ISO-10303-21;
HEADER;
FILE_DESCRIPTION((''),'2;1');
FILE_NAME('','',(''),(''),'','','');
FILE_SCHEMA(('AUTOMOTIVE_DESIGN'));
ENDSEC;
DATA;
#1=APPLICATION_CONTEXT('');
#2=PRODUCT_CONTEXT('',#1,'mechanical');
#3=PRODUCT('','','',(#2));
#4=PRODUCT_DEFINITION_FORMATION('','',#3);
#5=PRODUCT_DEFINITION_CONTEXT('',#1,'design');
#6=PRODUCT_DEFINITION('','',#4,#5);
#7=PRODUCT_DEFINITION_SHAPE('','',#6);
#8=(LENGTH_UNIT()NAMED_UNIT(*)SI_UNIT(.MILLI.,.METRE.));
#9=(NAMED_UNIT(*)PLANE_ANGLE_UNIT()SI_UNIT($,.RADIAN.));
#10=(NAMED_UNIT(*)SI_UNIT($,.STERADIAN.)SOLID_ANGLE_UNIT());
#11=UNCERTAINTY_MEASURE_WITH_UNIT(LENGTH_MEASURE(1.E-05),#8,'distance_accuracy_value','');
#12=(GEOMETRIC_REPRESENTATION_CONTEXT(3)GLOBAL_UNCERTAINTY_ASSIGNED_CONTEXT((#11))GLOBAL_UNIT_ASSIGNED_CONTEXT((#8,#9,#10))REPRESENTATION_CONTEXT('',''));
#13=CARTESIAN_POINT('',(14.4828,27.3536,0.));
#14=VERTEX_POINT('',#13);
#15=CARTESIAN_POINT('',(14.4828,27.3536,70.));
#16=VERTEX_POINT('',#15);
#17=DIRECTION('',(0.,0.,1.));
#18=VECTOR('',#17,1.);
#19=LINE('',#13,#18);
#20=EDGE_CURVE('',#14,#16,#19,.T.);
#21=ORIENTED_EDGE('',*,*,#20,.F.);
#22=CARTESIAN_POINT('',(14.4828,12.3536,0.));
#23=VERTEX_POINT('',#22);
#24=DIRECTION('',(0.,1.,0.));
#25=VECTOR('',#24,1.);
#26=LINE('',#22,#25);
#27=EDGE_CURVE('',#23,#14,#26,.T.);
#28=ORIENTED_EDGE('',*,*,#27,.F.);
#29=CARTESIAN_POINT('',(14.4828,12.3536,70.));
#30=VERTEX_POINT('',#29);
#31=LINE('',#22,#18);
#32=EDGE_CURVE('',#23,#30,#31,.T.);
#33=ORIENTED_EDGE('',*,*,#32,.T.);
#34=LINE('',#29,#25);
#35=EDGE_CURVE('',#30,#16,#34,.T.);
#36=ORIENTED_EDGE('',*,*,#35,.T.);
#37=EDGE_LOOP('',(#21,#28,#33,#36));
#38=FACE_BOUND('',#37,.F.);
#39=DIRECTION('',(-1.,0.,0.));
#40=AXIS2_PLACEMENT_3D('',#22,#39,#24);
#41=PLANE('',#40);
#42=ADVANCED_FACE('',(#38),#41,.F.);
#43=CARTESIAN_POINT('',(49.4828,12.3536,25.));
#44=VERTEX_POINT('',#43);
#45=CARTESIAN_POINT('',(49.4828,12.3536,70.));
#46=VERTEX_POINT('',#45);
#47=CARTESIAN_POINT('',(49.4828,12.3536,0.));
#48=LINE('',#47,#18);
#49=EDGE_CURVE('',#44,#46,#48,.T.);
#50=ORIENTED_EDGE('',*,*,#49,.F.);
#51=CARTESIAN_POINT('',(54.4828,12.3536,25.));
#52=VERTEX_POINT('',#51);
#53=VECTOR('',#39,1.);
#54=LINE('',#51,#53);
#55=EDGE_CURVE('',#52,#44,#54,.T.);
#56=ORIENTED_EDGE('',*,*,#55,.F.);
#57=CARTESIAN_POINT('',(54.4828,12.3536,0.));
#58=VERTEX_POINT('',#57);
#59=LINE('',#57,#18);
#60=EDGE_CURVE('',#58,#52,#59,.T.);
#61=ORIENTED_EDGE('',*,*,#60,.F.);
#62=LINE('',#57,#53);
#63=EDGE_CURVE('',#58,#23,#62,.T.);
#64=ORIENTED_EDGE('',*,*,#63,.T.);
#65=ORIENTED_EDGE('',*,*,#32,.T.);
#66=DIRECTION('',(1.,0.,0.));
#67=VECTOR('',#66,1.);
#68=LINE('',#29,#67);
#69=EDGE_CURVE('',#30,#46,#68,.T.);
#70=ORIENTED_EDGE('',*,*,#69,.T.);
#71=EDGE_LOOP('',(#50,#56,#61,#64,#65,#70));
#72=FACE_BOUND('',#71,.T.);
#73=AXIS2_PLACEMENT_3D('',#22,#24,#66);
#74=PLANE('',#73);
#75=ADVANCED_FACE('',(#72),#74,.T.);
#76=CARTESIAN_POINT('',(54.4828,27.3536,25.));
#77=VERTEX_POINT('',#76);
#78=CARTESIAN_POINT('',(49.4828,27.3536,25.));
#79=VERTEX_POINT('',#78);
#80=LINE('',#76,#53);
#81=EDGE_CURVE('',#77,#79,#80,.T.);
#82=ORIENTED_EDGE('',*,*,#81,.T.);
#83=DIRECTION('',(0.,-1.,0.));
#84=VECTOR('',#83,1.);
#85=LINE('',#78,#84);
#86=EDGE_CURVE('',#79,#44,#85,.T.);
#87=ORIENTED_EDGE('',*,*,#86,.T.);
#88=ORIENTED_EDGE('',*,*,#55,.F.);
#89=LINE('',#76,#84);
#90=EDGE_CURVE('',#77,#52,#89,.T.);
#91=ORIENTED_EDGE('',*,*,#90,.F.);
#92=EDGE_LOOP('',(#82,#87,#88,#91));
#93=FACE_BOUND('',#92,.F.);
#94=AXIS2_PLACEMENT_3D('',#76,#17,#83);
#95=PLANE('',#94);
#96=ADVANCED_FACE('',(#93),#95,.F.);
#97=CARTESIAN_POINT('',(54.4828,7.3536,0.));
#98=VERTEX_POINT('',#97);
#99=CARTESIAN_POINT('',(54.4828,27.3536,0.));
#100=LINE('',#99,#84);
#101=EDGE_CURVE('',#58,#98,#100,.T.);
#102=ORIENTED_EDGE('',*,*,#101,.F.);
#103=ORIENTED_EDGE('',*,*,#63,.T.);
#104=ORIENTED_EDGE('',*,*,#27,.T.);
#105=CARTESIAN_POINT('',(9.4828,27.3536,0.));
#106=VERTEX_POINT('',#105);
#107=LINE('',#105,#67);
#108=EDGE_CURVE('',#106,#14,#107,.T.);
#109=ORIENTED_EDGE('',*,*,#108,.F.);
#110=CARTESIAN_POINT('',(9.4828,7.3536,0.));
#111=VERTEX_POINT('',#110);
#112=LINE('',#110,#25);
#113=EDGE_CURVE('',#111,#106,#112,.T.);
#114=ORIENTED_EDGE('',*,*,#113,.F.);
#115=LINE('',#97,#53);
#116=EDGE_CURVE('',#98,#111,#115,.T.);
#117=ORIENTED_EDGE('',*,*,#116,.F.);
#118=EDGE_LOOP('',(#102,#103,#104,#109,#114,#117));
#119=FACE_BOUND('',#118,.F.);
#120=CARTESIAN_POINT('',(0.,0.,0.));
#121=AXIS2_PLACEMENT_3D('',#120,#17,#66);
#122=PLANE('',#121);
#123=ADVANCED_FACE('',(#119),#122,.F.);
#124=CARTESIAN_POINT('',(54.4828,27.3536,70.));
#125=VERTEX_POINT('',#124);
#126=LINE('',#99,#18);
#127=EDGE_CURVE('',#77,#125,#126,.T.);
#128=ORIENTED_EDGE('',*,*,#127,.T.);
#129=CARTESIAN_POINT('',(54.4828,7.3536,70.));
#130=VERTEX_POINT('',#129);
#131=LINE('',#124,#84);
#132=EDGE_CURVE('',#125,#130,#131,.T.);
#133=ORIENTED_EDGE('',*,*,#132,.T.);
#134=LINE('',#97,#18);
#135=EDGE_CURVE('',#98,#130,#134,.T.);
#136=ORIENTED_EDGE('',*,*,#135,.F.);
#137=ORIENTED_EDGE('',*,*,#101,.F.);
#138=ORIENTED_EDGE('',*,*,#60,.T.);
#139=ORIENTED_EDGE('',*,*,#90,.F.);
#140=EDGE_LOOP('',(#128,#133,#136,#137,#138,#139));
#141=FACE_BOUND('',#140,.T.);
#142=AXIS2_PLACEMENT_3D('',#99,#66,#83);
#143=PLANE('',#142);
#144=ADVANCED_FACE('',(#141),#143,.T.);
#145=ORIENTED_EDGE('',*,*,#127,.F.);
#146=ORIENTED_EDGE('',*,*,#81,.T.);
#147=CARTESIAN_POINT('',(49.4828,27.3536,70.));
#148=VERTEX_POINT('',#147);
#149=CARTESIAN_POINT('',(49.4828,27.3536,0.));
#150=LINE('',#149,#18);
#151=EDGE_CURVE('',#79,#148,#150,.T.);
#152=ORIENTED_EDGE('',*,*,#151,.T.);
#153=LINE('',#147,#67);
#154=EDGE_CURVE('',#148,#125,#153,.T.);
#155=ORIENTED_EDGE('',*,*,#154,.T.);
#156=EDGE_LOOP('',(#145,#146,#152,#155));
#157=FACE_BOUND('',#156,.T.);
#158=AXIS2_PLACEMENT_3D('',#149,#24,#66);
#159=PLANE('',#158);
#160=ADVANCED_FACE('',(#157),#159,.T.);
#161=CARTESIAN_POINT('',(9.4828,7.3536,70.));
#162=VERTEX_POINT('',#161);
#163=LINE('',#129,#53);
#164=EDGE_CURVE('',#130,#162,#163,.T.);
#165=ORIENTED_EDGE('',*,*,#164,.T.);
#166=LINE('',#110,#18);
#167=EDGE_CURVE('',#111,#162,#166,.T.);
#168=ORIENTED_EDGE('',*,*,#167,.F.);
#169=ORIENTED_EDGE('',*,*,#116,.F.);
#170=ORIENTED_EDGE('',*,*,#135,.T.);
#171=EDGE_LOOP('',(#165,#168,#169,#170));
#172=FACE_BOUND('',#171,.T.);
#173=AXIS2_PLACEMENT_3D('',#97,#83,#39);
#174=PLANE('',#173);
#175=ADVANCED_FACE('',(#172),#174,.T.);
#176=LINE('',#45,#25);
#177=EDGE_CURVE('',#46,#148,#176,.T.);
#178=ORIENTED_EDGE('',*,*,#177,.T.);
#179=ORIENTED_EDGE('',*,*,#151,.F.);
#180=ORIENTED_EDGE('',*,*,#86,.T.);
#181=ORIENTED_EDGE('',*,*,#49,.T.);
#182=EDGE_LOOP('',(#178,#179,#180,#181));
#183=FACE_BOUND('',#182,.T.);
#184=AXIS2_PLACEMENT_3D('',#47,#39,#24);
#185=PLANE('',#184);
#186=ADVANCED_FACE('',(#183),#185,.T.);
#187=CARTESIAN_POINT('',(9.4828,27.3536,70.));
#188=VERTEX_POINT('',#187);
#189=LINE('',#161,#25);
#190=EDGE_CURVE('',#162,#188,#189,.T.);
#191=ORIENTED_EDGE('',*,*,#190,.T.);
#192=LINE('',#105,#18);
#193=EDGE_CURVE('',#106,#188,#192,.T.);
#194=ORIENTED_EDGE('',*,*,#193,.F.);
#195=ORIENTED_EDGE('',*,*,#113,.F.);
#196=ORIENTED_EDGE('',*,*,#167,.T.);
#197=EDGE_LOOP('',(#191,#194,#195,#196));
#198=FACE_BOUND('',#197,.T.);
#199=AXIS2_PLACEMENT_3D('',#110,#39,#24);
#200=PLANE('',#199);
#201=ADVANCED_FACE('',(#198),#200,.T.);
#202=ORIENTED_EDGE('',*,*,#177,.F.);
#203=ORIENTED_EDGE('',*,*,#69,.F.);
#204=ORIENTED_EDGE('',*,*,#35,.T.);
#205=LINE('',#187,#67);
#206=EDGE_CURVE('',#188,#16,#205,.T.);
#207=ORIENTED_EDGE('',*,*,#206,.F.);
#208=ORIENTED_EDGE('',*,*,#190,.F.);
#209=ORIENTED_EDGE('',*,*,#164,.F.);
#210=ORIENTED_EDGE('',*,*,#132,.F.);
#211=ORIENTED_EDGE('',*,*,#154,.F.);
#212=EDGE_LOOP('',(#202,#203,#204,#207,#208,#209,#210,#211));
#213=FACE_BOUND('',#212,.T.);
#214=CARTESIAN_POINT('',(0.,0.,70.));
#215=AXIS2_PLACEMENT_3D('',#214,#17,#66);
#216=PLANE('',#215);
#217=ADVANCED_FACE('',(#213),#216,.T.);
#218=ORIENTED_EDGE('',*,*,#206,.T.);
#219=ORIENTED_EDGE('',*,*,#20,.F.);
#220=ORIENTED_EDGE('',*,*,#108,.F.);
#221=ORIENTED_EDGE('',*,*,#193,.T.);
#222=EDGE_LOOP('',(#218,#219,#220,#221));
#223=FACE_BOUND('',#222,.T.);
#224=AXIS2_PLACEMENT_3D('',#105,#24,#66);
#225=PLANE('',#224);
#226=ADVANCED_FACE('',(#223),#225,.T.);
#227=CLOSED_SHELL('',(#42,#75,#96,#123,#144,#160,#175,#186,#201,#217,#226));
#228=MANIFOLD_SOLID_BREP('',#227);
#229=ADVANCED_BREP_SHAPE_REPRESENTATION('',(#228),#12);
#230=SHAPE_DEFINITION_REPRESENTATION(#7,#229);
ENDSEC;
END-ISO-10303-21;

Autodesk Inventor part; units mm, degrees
ref_plane "YZ Plane" through (0, 0, 0) normal (1, 0, 0) x (0, 1, 0)
ref_plane "XZ Plane" through (0, 0, 0) normal (0, 1, 0) x (-1, 0, 0)
ref_plane "XY Plane" through (0, 0, 0) normal (0, 0, 1) x (1, 0, 0)
sketch "Sketch1" plane through (0, 0, 0) normal (0, 0, 1) x (1, 0, 0)
  line L0 (14.4828, 12.3536) -> (49.4828, 12.3536)
  line L1 (49.4828, 12.3536) -> (49.4828, 27.3536)
  line L2 (14.4828, 12.3536) -> (14.4828, 27.3536)
  line L3 (54.4828, 27.3536) -> (54.4828, 7.3536)
  line L4 (54.4828, 7.3536) -> (9.4828, 7.3536)
  line L5 (9.4828, 7.3536) -> (9.4828, 27.3536)
  line L6 (9.4828, 27.3536) -> (14.4828, 27.3536)
  line L7 (49.4828, 27.3536) -> (54.4828, 27.3536)
  point P0 (0, 0)
  dimension "d0" = 35
  dimension "d1" = 15
  dimension "d2" = 15
  dimension "d3" = 5
extrude "Extrusion1" add sketch "Sketch1" along normal blind 70
sketch "Sketch3" plane through (54.4828, 7.3536, 0) normal (1, 0, 0) x (0, 0, -1)
  line L0 (0, 20) -> (0, 0) projected
  line L1 (0, 5) -> (-70, 5) projected
  line L2 (0, 20) -> (-25, 20)
  line L3 (-25, 20) -> (-25, 5)
  line L4 (-25, 5) -> (0, 5)
  line L5 (0, 5) -> (0, 20)
  point P0 (0, -7.3536)
  dimension "d6" = 25
extrude "Extrusion2" cut sketch "Sketch3" against normal blind 5
properties part number "outlifting"
